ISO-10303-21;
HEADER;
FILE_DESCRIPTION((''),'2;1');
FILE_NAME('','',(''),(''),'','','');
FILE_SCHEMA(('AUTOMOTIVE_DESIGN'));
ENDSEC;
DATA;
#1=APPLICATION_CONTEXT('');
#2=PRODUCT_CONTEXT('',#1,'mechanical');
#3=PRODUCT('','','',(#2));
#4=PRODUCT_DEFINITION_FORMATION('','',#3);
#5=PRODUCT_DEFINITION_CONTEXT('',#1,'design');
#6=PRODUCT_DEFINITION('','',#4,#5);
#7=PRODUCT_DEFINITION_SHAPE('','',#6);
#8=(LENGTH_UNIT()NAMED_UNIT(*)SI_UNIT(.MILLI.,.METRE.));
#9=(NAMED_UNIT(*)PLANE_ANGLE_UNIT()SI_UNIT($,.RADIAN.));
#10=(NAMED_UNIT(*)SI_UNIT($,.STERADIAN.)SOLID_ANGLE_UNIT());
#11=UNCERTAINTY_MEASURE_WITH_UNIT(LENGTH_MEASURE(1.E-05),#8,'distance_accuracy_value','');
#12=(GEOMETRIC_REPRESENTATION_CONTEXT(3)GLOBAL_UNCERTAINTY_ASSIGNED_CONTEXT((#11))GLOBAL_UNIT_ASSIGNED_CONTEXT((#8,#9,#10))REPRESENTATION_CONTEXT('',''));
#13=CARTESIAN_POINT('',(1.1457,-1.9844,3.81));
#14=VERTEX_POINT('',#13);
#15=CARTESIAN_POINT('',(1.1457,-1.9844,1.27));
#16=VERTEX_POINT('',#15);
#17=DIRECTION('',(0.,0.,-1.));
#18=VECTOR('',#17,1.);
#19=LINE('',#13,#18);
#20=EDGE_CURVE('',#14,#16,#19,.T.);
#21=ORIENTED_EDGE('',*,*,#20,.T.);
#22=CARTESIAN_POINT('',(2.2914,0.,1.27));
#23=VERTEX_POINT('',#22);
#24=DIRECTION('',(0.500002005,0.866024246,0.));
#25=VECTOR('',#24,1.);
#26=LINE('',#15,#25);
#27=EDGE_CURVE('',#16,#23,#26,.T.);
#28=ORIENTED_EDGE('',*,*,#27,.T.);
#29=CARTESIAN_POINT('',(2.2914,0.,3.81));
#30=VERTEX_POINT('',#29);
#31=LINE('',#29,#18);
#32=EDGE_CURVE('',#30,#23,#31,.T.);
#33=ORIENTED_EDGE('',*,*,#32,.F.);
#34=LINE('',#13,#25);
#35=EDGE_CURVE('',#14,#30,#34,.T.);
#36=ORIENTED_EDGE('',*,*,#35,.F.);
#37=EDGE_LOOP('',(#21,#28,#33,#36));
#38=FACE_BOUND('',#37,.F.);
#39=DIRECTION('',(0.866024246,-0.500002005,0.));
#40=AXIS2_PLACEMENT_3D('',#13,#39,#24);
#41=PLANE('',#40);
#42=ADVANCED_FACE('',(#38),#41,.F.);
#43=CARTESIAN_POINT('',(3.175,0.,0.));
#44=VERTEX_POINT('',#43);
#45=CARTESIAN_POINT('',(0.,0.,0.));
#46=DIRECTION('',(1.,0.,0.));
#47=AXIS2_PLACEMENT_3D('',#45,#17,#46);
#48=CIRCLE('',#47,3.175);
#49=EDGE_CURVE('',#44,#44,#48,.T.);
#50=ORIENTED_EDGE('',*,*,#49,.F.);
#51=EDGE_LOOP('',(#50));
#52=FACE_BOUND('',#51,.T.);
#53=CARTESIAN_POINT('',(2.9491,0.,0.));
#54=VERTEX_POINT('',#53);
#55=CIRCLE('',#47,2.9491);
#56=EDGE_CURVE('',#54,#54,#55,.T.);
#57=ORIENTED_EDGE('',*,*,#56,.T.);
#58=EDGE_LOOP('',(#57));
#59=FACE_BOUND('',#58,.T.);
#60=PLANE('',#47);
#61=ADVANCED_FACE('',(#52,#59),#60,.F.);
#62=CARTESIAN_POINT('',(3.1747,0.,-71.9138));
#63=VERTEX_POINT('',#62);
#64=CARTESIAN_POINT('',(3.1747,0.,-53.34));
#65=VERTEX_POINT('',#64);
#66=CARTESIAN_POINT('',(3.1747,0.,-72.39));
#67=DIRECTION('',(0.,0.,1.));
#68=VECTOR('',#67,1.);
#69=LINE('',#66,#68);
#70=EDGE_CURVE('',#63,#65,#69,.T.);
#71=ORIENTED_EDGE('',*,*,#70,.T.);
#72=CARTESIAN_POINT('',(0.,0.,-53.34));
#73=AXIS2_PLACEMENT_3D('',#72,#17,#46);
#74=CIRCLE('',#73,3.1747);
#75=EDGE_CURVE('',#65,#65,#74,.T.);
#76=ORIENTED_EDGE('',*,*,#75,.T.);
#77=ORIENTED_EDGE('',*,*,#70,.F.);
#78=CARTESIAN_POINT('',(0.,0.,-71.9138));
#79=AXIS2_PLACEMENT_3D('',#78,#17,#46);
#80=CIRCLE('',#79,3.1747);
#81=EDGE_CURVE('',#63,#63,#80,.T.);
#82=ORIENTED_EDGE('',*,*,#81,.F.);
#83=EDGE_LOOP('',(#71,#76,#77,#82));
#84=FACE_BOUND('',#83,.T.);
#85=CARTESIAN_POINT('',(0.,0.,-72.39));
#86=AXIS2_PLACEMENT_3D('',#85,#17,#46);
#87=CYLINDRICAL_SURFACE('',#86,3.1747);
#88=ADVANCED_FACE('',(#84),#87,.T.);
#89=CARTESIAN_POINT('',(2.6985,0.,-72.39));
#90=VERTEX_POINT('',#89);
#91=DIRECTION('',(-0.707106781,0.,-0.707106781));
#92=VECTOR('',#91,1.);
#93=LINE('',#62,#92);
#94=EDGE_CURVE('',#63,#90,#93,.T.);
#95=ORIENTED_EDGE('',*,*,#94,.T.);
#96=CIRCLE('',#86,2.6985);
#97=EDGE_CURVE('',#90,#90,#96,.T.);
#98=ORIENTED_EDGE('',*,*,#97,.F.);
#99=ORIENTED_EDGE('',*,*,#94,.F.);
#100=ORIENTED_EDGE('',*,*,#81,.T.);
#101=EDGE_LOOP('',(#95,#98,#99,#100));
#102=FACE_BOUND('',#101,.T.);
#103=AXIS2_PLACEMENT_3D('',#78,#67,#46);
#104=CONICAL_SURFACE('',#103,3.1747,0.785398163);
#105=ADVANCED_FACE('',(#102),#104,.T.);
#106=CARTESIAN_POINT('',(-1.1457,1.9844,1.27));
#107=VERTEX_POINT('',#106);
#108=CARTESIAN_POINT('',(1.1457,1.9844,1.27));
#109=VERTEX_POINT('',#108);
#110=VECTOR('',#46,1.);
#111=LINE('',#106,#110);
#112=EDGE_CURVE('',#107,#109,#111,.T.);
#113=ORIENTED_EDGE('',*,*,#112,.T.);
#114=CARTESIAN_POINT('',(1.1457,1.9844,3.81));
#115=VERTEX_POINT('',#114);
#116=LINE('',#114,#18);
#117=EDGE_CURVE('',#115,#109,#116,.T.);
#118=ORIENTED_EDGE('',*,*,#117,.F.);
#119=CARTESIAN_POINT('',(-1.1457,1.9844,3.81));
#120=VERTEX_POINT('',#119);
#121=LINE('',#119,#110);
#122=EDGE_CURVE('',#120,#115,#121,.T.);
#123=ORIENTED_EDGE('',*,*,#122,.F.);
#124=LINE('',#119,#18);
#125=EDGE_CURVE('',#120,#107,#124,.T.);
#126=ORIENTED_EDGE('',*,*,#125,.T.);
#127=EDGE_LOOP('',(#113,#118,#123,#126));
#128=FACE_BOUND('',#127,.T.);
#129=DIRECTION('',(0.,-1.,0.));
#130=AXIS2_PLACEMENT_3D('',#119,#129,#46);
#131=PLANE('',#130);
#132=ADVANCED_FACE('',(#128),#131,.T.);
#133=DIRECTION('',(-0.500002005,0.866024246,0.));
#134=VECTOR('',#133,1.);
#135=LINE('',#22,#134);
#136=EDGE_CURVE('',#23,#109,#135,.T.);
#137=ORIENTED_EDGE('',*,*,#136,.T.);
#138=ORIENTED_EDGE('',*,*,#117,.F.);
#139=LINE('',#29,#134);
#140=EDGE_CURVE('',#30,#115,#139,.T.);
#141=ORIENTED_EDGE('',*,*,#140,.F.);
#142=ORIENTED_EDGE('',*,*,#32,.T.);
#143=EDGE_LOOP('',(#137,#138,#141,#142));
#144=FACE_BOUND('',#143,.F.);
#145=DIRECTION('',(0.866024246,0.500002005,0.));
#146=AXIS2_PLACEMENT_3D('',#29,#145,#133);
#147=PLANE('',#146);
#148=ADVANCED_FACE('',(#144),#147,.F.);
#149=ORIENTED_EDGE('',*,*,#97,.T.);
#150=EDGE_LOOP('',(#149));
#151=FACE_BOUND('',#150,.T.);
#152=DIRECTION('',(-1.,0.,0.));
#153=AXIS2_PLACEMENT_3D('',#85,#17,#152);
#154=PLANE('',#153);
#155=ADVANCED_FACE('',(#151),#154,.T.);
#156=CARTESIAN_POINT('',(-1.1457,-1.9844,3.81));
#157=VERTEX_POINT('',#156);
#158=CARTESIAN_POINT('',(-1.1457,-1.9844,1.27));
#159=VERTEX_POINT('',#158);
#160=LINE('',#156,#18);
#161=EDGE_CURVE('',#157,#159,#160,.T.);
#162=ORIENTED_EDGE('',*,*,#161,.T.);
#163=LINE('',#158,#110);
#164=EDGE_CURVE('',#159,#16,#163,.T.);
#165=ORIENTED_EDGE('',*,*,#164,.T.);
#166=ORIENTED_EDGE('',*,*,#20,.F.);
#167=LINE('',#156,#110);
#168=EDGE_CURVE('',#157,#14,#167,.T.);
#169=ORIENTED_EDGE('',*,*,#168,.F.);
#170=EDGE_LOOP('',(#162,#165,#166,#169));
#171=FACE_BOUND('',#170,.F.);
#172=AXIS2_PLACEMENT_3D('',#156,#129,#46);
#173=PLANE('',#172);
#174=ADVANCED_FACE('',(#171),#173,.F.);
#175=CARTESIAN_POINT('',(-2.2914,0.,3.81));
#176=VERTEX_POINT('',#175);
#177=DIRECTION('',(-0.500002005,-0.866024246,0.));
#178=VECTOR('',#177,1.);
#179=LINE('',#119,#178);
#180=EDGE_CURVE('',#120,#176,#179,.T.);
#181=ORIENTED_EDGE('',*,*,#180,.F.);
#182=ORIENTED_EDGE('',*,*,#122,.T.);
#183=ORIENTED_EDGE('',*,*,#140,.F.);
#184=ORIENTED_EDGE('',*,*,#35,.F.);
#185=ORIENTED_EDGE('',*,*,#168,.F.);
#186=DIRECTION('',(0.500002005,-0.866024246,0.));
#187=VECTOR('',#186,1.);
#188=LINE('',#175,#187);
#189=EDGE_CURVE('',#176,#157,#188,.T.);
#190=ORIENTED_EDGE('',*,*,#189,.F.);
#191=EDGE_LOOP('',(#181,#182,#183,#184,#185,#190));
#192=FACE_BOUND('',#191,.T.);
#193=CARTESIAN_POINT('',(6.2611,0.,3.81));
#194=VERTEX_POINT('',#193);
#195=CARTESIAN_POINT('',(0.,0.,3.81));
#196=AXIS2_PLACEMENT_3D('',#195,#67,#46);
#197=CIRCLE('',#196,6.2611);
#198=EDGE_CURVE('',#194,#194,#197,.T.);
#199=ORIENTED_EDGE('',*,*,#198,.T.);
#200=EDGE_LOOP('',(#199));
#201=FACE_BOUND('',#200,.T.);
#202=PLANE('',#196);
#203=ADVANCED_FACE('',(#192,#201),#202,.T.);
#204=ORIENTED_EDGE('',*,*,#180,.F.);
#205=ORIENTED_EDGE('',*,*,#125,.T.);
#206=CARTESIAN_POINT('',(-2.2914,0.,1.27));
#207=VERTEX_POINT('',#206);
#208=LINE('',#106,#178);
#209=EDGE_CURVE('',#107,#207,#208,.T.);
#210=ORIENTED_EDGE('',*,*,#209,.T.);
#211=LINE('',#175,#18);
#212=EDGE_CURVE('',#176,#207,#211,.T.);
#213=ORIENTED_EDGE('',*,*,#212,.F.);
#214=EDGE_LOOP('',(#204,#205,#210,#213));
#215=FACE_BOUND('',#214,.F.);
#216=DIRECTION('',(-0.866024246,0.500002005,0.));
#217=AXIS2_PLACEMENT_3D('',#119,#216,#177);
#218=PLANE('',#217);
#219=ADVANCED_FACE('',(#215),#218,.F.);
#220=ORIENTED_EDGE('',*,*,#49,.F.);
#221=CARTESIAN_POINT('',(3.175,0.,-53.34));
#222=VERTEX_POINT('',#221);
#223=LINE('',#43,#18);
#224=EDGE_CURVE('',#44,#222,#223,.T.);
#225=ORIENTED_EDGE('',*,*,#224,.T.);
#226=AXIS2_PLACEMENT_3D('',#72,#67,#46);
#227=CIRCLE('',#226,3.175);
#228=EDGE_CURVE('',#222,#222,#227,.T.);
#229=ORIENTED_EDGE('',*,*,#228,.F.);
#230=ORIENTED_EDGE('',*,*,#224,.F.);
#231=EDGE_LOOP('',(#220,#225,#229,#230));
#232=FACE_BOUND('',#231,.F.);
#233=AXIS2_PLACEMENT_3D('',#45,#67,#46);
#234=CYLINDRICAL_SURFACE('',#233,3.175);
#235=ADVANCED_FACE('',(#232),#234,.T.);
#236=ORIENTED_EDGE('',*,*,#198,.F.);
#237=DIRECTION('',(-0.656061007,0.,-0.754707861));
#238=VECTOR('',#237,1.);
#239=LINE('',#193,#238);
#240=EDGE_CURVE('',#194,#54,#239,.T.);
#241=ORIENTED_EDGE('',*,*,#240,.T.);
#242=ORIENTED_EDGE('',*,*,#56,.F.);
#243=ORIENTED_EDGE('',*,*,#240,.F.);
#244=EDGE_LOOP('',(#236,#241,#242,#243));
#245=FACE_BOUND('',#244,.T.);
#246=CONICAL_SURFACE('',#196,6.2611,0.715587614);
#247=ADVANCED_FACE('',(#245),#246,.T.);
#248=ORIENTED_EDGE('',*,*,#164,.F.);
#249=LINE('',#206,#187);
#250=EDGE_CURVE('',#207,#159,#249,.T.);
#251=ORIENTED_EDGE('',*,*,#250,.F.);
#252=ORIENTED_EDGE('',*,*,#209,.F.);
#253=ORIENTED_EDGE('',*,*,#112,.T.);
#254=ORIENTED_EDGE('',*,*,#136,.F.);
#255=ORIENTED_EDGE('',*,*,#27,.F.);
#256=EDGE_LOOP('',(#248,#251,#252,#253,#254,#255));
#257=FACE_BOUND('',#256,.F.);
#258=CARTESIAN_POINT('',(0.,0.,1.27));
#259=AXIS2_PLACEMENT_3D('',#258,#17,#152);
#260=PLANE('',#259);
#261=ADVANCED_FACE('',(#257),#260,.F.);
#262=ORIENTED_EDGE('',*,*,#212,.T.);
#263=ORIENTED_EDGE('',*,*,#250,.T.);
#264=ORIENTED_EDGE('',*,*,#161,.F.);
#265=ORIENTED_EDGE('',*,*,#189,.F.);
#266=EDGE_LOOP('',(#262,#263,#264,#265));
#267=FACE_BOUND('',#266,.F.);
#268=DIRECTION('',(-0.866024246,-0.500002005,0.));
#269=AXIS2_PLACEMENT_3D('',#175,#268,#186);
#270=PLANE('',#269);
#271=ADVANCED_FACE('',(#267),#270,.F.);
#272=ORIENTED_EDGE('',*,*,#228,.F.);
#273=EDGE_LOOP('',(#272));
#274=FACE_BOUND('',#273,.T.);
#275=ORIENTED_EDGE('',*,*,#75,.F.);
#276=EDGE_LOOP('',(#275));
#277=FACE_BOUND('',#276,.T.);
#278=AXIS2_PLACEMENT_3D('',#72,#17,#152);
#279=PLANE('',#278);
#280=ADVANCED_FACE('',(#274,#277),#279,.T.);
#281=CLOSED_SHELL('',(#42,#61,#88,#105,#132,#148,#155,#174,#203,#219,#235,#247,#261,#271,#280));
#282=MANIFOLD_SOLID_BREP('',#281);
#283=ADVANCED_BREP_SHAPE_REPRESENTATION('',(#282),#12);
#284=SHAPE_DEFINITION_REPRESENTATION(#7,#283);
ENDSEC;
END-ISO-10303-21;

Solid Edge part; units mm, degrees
sketch "Sketch1" plane through (0, 0, 0) normal (0, 0, 1) x (1, 0, 0)
  circle A0 centre (0, 0) radius 6.2611
  dimension "D1" = 12.5222
extrude "Protrusion1" add sketch "Sketch1" along normal blind 3.81
sketch "Sketch2" plane through (0, 0, 0) normal (0, 0, -1) x (1, 0, 0)
  circle A0 centre (0, 0) radius 3.175
extrude "Protrusion2" add sketch "Sketch2" along normal blind 72.39
sketch "Sketch3" plane through (0, 0, -72.39) normal (0, 0, -1) x (1, 0, 0)
  circle A0 centre (0, 0) radius 3.1747
extrude "Cutout1" cut sketch "Sketch3" against normal blind 19.05 flip side to cut
chamfer "Chamfer_1" distance 0.4762 angle 45 1 edges at (-3.1747, 0, -72.39)
sketch "Sketch4" plane through (0, 0, 3.81) normal (0, 0, 1) x (1, 0, 0)
  line L0 (-1.1457, 1.9844) -> (1.1457, 1.9844)
  line L1 (2.2914, 0) -> (1.1457, 1.9844)
  line L2 (1.1457, -1.9844) -> (2.2914, 0)
  line L3 (-1.1457, -1.9844) -> (1.1457, -1.9844)
  line L4 (-2.2914, 0) -> (-1.1457, -1.9844)
  line L5 (-1.1457, 1.9844) -> (-2.2914, 0)
  dimension "D1" = 3.9688
extrude "Cutout2" cut sketch "Sketch4" against normal blind 2.54
sketch "Sketch5" plane through (0, 0, 0) normal (0, -1, 0) x (1, 0, 0)
  line L0 (6.2611, 3.81) -> (2.9491, 0)
  line L1 (2.9491, 0) -> (6.2611, 0)
  line L2 (6.2611, 0) -> (6.2611, 3.81)
revolve "RevolvedCutout1" cut sketch "Sketch5" angle 360 about axis through (0, 0, 14.0017) along (0, 0, -1)
properties part number "24101421"
